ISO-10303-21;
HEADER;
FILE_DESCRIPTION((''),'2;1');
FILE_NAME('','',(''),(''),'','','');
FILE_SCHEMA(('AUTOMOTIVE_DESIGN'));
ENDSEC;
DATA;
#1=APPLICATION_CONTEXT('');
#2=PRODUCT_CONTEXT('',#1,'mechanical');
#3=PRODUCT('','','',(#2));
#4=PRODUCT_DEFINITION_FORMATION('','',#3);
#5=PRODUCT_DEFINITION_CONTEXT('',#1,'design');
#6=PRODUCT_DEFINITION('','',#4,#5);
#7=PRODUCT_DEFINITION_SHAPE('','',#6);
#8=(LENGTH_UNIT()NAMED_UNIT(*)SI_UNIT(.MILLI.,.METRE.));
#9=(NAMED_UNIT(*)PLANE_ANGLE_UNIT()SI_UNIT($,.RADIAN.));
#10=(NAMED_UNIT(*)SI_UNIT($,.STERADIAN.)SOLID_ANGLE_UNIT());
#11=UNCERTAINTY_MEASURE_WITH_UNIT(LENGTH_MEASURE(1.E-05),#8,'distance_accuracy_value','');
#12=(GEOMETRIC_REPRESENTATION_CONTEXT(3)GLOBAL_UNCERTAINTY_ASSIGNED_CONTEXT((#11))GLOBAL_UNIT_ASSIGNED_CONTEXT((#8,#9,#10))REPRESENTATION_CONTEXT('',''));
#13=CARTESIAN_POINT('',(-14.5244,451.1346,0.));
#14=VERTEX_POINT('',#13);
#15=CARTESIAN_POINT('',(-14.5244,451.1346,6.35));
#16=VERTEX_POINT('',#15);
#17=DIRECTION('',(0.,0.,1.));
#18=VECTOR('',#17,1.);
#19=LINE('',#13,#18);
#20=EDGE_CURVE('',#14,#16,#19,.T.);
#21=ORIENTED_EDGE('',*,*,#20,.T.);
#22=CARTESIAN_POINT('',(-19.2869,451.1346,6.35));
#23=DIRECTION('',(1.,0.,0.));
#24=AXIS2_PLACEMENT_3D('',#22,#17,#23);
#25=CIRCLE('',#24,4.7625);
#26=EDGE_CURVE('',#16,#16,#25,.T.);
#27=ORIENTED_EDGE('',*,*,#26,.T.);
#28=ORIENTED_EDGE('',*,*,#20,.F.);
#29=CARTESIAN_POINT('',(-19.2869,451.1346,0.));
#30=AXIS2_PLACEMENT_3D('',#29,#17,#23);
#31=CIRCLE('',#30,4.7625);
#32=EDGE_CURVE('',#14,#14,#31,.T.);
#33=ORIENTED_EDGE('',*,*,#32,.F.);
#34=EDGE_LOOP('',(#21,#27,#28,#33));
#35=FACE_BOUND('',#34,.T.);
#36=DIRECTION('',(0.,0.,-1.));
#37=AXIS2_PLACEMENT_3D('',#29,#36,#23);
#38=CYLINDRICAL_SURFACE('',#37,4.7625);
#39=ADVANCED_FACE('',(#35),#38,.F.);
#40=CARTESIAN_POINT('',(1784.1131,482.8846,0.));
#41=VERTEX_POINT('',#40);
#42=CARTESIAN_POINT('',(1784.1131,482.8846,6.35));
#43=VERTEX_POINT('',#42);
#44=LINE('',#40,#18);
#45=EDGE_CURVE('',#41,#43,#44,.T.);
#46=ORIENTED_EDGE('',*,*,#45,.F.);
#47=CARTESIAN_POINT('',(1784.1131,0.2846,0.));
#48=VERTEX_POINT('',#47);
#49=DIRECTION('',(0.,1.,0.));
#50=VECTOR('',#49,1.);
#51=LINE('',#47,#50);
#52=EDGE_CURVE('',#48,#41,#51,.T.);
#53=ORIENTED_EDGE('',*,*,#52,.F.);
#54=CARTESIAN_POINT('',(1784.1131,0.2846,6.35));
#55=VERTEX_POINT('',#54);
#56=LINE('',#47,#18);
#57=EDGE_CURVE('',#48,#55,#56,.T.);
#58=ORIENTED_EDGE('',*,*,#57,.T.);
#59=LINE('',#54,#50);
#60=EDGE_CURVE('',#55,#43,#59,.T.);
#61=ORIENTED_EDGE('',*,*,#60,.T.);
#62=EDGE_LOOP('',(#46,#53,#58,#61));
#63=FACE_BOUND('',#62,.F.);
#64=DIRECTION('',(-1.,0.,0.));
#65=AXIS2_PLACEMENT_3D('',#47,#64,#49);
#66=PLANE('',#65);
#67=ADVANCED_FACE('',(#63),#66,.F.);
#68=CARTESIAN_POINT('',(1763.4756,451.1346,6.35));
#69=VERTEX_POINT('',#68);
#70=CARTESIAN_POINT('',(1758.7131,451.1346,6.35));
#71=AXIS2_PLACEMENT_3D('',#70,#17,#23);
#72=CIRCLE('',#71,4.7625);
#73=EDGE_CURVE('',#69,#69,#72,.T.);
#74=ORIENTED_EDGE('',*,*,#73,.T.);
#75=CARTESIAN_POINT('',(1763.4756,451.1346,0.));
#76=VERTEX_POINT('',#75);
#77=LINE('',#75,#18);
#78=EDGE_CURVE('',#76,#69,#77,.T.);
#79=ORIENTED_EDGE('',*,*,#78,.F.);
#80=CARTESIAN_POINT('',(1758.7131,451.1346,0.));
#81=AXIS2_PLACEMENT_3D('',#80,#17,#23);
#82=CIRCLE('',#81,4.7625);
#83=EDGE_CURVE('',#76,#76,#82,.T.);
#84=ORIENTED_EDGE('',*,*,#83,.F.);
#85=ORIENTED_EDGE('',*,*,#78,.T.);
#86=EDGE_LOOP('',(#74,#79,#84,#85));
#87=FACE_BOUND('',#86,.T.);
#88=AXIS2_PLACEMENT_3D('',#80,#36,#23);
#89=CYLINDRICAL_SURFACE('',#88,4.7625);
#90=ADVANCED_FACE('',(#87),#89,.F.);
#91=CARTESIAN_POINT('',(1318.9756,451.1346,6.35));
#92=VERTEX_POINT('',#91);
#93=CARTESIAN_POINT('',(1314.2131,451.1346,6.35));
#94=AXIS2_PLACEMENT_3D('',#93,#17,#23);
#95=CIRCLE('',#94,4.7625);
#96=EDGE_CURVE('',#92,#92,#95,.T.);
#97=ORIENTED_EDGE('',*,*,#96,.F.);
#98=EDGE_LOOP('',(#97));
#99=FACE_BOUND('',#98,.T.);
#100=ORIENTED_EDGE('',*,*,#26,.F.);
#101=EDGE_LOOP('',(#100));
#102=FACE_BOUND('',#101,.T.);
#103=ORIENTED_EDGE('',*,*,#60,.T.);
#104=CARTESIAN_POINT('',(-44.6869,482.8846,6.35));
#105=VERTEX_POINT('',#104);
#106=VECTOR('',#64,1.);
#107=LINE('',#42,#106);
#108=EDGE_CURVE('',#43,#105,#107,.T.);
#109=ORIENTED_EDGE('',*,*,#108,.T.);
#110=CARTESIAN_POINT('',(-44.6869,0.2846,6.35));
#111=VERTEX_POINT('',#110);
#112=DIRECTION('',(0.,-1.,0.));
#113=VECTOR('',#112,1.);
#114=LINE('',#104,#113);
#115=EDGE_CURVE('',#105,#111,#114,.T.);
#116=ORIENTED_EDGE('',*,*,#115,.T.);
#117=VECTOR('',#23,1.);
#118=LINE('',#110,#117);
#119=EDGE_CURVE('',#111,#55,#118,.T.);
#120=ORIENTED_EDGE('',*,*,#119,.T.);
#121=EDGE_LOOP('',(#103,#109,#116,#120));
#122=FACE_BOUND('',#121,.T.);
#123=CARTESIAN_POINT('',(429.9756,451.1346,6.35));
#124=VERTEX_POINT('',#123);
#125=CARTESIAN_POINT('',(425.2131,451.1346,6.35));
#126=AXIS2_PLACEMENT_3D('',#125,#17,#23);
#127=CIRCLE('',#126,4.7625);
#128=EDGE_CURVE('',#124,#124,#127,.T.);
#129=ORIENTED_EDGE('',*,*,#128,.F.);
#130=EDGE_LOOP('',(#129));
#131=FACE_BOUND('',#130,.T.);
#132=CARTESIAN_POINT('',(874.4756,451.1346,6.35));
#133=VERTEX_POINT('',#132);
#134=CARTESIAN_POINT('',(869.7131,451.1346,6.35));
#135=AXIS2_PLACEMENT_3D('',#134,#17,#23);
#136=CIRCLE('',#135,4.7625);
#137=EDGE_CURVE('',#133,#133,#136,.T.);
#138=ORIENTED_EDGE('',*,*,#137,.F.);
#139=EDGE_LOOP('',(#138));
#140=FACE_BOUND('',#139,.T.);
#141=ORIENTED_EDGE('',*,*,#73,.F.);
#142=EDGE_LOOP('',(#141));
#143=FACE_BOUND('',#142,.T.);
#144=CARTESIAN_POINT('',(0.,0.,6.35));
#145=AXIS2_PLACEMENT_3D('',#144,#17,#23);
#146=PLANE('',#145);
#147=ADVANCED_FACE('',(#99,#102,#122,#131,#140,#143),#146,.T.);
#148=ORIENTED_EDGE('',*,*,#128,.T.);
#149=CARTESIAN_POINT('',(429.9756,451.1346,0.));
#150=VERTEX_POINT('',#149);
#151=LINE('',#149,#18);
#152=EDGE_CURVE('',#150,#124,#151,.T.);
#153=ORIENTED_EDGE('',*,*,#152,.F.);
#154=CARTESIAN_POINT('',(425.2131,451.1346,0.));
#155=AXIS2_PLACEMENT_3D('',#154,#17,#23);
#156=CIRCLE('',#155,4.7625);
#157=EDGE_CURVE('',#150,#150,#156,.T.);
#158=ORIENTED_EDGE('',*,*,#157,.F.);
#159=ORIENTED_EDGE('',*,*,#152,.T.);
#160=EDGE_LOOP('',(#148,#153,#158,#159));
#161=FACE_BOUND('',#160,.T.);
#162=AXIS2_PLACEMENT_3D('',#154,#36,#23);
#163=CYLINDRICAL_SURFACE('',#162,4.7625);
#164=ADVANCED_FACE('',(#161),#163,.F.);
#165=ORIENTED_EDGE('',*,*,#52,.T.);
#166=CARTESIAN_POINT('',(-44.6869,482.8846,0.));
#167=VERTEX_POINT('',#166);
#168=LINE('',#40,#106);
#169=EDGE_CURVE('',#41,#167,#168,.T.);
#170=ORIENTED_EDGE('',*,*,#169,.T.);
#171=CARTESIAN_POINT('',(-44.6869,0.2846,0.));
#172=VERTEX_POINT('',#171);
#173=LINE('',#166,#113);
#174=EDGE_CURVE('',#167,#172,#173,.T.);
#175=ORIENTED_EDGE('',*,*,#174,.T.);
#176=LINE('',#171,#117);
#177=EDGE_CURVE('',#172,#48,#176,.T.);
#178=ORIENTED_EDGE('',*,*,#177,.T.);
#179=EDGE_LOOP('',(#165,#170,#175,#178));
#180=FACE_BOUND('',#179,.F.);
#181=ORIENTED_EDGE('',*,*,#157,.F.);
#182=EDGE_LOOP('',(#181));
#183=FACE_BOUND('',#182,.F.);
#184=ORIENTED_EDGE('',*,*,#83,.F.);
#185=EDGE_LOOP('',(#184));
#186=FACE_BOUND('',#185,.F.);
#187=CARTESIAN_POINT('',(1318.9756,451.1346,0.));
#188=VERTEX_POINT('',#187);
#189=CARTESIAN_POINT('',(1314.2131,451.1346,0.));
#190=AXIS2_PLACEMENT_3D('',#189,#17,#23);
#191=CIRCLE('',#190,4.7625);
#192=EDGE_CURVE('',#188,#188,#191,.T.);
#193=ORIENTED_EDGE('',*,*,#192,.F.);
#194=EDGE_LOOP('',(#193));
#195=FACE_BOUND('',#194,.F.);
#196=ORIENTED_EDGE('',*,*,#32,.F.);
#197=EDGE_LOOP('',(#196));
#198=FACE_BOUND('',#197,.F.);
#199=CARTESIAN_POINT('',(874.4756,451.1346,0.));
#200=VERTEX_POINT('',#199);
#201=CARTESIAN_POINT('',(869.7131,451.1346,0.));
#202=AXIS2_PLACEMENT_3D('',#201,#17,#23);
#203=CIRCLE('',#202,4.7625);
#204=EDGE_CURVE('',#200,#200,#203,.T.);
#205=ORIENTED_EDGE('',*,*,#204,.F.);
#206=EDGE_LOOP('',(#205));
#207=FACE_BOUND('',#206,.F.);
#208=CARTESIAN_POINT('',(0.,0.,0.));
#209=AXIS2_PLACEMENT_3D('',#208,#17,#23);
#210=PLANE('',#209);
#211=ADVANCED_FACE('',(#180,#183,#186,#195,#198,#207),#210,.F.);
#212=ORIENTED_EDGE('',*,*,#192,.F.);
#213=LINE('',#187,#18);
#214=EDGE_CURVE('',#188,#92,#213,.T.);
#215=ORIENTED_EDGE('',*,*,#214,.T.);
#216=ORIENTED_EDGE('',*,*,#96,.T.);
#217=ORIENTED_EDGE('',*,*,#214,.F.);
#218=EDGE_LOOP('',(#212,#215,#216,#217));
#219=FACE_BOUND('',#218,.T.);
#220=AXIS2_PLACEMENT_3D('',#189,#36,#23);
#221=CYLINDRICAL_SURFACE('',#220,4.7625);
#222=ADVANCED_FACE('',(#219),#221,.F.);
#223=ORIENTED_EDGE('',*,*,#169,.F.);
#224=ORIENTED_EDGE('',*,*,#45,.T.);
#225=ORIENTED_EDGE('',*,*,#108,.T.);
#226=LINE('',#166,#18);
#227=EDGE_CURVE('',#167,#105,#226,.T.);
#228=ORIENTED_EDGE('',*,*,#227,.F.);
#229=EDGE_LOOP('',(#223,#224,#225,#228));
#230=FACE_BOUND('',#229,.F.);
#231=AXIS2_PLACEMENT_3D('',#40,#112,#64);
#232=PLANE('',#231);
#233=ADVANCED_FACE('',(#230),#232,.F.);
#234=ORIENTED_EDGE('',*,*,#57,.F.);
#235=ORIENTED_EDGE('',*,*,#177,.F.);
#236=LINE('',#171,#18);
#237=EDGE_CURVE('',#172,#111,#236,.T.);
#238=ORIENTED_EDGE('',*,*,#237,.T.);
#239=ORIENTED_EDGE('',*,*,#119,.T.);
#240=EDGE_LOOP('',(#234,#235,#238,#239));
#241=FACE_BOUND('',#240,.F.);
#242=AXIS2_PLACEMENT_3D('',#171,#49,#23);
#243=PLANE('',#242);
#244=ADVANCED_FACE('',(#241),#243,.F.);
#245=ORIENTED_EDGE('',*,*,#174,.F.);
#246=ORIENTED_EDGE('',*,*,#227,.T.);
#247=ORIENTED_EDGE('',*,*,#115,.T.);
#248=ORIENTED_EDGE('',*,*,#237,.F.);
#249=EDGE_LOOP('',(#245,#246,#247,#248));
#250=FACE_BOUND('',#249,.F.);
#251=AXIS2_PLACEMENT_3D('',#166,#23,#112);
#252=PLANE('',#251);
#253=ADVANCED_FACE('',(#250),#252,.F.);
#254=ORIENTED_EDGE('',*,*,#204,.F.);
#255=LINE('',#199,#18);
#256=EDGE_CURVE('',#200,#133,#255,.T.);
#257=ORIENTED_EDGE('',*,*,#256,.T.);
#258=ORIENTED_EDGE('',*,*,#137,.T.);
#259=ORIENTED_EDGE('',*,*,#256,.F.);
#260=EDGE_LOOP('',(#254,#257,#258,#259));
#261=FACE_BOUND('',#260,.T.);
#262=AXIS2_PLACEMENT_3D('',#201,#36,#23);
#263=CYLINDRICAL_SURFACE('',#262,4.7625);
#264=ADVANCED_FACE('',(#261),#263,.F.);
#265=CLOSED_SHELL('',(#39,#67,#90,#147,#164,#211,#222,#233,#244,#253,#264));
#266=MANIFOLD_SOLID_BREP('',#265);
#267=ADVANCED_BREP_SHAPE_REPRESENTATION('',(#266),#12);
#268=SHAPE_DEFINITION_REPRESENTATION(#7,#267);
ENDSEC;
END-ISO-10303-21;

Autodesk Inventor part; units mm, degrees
ref_plane "YZ Plane" through (0, 0, 0) normal (1, 0, 0) x (0, 1, 0)
ref_plane "XZ Plane" through (0, 0, 0) normal (0, 1, 0) x (-1, 0, 0)
ref_plane "XY Plane" through (0, 0, 0) normal (0, 0, 1) x (1, 0, 0)
sketch "Sketch1" plane through (0, 0, 0) normal (0, 0, 1) x (1, 0, 0)
  line L0 (-44.6869, 0.2846) -> (1784.1131, 0.2846)
  line L1 (1784.1131, 482.8846) -> (-44.6869, 482.8846)
  line L2 (-44.6869, 482.8846) -> (-44.6869, 0.2846)
  line L3 (1784.1131, 0.2846) -> (1784.1131, 482.8846)
  circle A0 centre (-19.2869, 451.1346) radius 4.7625
  circle A1 centre (425.2131, 451.1346) radius 4.7625
  circle A2 centre (869.7131, 451.1346) radius 4.7625
  circle A3 centre (1314.2131, 451.1346) radius 4.7625
  circle A4 centre (1758.7131, 451.1346) radius 4.7625
  dimension "d0" = 482.6
  dimension "d1" = 1828.8
  dimension "d7" = 25.4
  dimension "d8" = 469.9
  dimension "d9" = 914.4
  dimension "d10" = 1358.9
  dimension "d11" = 1803.4
  dimension "d12" = 31.75
  dimension "d13" = 31.75
  dimension "d14" = 31.75
  dimension "d15" = 31.75
  dimension "d16" = 31.75
  dimension "d19" = 9.525
  dimension "d20" = 9.525
  dimension "d21" = 9.525
  dimension "d22" = 9.525
  dimension "d23" = 9.525
extrude "Extrusion1" add sketch "Sketch1" along normal blind 6.35
properties part number "FE-00010"
